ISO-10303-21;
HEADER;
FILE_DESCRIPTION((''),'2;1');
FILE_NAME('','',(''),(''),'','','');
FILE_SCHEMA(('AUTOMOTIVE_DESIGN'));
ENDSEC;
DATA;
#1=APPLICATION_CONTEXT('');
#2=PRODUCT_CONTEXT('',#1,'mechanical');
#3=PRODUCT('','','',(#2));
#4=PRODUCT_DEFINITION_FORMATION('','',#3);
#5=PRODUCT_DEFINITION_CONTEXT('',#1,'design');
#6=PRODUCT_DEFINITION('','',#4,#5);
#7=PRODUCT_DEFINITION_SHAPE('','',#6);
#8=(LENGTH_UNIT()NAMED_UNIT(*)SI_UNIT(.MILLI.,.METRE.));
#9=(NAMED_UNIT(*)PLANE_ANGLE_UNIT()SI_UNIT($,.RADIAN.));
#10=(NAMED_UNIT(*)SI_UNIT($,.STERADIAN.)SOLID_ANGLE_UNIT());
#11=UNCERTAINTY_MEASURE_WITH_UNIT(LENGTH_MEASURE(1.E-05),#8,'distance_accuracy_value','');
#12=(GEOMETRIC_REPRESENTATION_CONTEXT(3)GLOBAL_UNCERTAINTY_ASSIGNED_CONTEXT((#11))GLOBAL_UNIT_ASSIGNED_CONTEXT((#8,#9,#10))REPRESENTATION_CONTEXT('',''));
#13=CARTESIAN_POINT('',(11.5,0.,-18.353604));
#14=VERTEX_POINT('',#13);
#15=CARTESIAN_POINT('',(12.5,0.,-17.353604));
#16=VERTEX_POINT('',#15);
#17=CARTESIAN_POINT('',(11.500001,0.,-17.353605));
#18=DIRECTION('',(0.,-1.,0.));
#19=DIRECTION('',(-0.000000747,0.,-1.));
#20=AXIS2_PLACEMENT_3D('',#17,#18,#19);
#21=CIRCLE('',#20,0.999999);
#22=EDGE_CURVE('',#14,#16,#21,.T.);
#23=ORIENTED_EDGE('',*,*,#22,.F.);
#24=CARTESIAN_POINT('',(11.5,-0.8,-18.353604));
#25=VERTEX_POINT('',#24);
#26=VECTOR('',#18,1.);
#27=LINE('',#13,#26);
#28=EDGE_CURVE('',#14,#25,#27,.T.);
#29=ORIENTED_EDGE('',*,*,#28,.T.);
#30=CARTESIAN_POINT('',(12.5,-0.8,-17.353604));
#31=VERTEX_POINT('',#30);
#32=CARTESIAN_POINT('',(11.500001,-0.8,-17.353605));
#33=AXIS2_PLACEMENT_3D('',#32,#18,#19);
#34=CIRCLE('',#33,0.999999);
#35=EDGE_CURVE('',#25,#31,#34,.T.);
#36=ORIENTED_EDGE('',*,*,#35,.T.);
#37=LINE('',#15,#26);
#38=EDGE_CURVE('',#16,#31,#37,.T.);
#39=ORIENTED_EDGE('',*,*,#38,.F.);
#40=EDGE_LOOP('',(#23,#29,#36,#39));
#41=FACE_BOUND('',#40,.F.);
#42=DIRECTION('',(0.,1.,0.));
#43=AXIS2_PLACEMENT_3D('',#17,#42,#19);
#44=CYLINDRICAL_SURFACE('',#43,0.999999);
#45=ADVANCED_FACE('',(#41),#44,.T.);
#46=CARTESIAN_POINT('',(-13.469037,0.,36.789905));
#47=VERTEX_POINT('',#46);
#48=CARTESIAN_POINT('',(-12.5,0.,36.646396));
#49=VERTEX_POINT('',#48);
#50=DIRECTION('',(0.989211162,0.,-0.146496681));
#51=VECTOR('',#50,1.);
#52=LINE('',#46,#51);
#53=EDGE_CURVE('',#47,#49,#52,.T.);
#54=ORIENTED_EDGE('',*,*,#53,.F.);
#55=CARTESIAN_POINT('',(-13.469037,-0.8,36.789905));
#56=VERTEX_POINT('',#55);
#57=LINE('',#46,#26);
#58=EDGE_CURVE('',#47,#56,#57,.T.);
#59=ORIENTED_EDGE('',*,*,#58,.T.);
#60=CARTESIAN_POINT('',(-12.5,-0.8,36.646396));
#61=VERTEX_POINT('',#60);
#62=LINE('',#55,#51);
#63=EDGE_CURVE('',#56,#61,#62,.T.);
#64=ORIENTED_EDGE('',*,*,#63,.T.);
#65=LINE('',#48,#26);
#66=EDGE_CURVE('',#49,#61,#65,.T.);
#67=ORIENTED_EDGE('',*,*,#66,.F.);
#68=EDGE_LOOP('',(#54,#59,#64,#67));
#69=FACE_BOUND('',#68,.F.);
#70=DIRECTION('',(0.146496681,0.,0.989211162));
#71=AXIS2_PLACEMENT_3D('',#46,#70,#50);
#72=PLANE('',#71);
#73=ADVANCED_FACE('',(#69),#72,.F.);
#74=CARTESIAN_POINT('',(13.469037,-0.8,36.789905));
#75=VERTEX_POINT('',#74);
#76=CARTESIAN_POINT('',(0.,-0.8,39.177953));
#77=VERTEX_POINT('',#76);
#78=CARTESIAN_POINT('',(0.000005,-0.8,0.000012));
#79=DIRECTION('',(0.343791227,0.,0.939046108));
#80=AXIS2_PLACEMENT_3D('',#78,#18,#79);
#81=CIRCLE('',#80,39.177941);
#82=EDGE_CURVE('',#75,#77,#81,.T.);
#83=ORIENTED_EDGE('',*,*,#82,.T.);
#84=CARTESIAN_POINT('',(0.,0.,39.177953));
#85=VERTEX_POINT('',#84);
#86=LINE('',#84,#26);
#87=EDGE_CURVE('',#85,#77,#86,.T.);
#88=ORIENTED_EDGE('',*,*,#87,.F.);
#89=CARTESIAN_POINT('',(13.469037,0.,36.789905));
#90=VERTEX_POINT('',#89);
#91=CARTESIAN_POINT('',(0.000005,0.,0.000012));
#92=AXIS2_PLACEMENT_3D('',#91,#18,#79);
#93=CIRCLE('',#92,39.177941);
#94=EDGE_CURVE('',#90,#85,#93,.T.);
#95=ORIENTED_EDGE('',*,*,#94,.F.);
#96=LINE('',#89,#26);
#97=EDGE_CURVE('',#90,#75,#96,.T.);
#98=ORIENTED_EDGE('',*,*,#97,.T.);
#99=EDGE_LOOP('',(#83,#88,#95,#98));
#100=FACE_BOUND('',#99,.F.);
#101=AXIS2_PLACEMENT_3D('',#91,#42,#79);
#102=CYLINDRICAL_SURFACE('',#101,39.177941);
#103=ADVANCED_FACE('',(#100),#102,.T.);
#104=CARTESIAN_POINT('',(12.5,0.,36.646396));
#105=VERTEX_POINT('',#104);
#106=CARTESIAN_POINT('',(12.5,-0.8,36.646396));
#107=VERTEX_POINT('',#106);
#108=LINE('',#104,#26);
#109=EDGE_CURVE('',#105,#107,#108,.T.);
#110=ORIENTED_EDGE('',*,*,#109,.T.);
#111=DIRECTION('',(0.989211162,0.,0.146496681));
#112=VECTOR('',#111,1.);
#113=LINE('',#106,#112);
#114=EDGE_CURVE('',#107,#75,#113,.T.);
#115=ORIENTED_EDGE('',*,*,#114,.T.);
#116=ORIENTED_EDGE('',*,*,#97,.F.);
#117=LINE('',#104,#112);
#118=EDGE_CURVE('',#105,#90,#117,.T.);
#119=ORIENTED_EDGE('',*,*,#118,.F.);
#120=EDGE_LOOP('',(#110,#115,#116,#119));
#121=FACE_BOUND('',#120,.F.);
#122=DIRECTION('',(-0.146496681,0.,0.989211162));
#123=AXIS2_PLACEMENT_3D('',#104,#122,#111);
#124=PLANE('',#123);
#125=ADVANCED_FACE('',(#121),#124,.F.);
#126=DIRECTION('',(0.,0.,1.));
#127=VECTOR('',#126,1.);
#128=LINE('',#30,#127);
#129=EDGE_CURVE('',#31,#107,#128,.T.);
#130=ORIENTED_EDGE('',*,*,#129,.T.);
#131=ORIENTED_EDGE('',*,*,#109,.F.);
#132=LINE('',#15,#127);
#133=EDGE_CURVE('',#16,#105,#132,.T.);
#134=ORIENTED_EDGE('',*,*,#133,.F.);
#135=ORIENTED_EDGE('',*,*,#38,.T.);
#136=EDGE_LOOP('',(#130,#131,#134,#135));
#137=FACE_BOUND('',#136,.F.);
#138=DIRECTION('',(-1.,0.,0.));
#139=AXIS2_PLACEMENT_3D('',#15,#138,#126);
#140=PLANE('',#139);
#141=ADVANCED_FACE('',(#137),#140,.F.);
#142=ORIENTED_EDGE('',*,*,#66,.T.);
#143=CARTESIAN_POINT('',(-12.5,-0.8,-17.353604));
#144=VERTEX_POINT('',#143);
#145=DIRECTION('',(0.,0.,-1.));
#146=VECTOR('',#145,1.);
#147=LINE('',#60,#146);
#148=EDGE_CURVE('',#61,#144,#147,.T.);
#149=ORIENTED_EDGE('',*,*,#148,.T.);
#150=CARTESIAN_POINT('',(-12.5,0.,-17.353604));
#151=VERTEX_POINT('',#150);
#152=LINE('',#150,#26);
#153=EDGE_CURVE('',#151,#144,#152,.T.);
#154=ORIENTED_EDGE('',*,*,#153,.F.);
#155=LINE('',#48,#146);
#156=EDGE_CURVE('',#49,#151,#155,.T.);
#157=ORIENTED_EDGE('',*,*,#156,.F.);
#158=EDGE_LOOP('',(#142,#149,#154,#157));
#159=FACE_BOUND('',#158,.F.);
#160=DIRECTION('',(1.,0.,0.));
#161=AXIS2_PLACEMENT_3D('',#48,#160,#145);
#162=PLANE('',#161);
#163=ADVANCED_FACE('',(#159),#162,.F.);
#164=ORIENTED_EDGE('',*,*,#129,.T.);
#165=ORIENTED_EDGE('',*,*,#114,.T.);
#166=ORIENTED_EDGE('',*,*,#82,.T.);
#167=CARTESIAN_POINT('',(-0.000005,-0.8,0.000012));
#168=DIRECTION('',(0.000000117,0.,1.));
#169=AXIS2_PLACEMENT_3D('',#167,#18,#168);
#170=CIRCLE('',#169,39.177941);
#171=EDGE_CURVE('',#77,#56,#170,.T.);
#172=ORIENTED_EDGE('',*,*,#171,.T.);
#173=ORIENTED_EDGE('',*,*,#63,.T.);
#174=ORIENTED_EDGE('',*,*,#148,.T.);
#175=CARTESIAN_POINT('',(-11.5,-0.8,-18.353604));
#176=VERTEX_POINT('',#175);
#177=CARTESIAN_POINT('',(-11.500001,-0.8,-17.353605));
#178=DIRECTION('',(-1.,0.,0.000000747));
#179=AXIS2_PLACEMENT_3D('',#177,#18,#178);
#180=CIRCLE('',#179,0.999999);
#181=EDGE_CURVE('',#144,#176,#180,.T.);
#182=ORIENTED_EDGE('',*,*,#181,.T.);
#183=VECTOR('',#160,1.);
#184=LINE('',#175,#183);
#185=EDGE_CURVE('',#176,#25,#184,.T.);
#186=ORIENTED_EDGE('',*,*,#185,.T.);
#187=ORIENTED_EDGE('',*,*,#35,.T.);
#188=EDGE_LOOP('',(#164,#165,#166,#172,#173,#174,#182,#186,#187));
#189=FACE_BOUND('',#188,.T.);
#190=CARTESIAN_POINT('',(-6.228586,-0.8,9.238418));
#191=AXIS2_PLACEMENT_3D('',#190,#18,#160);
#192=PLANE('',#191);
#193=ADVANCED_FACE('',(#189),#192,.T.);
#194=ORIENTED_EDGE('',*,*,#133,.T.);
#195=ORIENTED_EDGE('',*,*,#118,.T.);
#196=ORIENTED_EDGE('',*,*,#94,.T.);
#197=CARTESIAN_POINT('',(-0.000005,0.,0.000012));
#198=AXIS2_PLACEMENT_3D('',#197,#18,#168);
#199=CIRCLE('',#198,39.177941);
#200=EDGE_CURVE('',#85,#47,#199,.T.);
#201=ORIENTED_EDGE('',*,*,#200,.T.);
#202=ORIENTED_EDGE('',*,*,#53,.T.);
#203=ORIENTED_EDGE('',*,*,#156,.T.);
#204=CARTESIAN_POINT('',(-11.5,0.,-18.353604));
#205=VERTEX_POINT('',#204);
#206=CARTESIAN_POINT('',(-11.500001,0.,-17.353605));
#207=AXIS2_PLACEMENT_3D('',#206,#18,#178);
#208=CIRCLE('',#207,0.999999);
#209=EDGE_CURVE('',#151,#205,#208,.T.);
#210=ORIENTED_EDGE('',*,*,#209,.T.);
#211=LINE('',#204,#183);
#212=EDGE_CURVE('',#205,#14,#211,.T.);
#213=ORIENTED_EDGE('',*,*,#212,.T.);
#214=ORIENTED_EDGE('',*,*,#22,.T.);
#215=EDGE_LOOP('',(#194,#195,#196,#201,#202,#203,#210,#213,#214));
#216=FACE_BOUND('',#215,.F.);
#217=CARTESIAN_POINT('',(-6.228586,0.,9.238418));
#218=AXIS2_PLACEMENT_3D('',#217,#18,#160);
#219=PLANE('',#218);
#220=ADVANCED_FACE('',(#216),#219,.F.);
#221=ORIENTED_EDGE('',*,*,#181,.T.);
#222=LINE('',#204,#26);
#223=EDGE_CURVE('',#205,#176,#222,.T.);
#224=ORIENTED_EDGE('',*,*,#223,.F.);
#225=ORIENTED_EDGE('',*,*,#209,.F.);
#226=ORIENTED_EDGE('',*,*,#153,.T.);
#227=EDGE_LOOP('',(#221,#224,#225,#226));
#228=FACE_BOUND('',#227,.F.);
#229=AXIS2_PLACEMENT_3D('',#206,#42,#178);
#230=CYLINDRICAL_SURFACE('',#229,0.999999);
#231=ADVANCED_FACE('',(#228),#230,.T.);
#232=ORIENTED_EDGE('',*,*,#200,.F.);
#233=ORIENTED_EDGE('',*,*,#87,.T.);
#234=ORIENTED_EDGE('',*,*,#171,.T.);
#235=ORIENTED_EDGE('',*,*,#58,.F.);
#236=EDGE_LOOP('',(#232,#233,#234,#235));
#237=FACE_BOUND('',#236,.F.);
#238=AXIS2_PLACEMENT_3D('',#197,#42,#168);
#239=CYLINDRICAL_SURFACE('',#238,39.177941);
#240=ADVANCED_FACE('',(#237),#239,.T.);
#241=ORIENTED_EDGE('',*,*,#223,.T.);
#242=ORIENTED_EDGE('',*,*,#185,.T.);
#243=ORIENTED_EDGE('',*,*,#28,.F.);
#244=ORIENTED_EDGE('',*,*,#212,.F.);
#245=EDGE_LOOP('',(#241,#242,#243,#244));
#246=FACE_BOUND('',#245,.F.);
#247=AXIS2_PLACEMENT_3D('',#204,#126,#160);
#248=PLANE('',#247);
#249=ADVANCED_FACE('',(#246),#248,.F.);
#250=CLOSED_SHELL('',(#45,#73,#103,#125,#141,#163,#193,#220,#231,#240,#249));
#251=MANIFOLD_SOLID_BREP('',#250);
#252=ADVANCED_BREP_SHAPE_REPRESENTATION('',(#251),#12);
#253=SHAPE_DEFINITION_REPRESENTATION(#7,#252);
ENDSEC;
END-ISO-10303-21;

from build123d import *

# Parameters (mm, degrees)
F1_DEPTH = 0.8


with BuildPart() as f1:
    # F0 (on Front) → F1 (new body)
    with BuildSketch(Plane.XZ):
        with BuildLine():
            Line((0, -18.353604), (0, 36.646396))
            Line((0, 36.646396), (-12.5, 36.646396))
            Line((-12.5, 36.646396), (-12.5, -17.353604))
            ThreePointArc((-12.5, -17.353604), (-12.207107, -18.060711), (-11.5, -18.353604))
            Line((-11.5, -18.353604), (0, -18.353604))
        make_face()
        with BuildLine():
            Line((-12.5, 36.646396), (0, 36.646396))
            Line((0, 36.646396), (12.5, 36.646396))
            Line((12.5, 36.646396), (13.469037, 36.789905))
            ThreePointArc((13.469037, 36.789905), (6.839549, 38.576322), (0, 39.177953))
            ThreePointArc((0, 39.177953), (-6.839549, 38.576322), (-13.469037, 36.789905))
            Line((-13.469037, 36.789905), (-12.5, 36.646396))
        make_face()
        with BuildLine():
            Line((12.5, 36.646396), (0, 36.646396))
            Line((0, 36.646396), (0, -18.353604))
            Line((0, -18.353604), (11.5, -18.353604))
            ThreePointArc((11.5, -18.353604), (12.207107, -18.060711), (12.5, -17.353604))
            Line((12.5, -17.353604), (12.5, 36.646396))
        make_face()
    extrude(amount=F1_DEPTH)


solid = f1.part
